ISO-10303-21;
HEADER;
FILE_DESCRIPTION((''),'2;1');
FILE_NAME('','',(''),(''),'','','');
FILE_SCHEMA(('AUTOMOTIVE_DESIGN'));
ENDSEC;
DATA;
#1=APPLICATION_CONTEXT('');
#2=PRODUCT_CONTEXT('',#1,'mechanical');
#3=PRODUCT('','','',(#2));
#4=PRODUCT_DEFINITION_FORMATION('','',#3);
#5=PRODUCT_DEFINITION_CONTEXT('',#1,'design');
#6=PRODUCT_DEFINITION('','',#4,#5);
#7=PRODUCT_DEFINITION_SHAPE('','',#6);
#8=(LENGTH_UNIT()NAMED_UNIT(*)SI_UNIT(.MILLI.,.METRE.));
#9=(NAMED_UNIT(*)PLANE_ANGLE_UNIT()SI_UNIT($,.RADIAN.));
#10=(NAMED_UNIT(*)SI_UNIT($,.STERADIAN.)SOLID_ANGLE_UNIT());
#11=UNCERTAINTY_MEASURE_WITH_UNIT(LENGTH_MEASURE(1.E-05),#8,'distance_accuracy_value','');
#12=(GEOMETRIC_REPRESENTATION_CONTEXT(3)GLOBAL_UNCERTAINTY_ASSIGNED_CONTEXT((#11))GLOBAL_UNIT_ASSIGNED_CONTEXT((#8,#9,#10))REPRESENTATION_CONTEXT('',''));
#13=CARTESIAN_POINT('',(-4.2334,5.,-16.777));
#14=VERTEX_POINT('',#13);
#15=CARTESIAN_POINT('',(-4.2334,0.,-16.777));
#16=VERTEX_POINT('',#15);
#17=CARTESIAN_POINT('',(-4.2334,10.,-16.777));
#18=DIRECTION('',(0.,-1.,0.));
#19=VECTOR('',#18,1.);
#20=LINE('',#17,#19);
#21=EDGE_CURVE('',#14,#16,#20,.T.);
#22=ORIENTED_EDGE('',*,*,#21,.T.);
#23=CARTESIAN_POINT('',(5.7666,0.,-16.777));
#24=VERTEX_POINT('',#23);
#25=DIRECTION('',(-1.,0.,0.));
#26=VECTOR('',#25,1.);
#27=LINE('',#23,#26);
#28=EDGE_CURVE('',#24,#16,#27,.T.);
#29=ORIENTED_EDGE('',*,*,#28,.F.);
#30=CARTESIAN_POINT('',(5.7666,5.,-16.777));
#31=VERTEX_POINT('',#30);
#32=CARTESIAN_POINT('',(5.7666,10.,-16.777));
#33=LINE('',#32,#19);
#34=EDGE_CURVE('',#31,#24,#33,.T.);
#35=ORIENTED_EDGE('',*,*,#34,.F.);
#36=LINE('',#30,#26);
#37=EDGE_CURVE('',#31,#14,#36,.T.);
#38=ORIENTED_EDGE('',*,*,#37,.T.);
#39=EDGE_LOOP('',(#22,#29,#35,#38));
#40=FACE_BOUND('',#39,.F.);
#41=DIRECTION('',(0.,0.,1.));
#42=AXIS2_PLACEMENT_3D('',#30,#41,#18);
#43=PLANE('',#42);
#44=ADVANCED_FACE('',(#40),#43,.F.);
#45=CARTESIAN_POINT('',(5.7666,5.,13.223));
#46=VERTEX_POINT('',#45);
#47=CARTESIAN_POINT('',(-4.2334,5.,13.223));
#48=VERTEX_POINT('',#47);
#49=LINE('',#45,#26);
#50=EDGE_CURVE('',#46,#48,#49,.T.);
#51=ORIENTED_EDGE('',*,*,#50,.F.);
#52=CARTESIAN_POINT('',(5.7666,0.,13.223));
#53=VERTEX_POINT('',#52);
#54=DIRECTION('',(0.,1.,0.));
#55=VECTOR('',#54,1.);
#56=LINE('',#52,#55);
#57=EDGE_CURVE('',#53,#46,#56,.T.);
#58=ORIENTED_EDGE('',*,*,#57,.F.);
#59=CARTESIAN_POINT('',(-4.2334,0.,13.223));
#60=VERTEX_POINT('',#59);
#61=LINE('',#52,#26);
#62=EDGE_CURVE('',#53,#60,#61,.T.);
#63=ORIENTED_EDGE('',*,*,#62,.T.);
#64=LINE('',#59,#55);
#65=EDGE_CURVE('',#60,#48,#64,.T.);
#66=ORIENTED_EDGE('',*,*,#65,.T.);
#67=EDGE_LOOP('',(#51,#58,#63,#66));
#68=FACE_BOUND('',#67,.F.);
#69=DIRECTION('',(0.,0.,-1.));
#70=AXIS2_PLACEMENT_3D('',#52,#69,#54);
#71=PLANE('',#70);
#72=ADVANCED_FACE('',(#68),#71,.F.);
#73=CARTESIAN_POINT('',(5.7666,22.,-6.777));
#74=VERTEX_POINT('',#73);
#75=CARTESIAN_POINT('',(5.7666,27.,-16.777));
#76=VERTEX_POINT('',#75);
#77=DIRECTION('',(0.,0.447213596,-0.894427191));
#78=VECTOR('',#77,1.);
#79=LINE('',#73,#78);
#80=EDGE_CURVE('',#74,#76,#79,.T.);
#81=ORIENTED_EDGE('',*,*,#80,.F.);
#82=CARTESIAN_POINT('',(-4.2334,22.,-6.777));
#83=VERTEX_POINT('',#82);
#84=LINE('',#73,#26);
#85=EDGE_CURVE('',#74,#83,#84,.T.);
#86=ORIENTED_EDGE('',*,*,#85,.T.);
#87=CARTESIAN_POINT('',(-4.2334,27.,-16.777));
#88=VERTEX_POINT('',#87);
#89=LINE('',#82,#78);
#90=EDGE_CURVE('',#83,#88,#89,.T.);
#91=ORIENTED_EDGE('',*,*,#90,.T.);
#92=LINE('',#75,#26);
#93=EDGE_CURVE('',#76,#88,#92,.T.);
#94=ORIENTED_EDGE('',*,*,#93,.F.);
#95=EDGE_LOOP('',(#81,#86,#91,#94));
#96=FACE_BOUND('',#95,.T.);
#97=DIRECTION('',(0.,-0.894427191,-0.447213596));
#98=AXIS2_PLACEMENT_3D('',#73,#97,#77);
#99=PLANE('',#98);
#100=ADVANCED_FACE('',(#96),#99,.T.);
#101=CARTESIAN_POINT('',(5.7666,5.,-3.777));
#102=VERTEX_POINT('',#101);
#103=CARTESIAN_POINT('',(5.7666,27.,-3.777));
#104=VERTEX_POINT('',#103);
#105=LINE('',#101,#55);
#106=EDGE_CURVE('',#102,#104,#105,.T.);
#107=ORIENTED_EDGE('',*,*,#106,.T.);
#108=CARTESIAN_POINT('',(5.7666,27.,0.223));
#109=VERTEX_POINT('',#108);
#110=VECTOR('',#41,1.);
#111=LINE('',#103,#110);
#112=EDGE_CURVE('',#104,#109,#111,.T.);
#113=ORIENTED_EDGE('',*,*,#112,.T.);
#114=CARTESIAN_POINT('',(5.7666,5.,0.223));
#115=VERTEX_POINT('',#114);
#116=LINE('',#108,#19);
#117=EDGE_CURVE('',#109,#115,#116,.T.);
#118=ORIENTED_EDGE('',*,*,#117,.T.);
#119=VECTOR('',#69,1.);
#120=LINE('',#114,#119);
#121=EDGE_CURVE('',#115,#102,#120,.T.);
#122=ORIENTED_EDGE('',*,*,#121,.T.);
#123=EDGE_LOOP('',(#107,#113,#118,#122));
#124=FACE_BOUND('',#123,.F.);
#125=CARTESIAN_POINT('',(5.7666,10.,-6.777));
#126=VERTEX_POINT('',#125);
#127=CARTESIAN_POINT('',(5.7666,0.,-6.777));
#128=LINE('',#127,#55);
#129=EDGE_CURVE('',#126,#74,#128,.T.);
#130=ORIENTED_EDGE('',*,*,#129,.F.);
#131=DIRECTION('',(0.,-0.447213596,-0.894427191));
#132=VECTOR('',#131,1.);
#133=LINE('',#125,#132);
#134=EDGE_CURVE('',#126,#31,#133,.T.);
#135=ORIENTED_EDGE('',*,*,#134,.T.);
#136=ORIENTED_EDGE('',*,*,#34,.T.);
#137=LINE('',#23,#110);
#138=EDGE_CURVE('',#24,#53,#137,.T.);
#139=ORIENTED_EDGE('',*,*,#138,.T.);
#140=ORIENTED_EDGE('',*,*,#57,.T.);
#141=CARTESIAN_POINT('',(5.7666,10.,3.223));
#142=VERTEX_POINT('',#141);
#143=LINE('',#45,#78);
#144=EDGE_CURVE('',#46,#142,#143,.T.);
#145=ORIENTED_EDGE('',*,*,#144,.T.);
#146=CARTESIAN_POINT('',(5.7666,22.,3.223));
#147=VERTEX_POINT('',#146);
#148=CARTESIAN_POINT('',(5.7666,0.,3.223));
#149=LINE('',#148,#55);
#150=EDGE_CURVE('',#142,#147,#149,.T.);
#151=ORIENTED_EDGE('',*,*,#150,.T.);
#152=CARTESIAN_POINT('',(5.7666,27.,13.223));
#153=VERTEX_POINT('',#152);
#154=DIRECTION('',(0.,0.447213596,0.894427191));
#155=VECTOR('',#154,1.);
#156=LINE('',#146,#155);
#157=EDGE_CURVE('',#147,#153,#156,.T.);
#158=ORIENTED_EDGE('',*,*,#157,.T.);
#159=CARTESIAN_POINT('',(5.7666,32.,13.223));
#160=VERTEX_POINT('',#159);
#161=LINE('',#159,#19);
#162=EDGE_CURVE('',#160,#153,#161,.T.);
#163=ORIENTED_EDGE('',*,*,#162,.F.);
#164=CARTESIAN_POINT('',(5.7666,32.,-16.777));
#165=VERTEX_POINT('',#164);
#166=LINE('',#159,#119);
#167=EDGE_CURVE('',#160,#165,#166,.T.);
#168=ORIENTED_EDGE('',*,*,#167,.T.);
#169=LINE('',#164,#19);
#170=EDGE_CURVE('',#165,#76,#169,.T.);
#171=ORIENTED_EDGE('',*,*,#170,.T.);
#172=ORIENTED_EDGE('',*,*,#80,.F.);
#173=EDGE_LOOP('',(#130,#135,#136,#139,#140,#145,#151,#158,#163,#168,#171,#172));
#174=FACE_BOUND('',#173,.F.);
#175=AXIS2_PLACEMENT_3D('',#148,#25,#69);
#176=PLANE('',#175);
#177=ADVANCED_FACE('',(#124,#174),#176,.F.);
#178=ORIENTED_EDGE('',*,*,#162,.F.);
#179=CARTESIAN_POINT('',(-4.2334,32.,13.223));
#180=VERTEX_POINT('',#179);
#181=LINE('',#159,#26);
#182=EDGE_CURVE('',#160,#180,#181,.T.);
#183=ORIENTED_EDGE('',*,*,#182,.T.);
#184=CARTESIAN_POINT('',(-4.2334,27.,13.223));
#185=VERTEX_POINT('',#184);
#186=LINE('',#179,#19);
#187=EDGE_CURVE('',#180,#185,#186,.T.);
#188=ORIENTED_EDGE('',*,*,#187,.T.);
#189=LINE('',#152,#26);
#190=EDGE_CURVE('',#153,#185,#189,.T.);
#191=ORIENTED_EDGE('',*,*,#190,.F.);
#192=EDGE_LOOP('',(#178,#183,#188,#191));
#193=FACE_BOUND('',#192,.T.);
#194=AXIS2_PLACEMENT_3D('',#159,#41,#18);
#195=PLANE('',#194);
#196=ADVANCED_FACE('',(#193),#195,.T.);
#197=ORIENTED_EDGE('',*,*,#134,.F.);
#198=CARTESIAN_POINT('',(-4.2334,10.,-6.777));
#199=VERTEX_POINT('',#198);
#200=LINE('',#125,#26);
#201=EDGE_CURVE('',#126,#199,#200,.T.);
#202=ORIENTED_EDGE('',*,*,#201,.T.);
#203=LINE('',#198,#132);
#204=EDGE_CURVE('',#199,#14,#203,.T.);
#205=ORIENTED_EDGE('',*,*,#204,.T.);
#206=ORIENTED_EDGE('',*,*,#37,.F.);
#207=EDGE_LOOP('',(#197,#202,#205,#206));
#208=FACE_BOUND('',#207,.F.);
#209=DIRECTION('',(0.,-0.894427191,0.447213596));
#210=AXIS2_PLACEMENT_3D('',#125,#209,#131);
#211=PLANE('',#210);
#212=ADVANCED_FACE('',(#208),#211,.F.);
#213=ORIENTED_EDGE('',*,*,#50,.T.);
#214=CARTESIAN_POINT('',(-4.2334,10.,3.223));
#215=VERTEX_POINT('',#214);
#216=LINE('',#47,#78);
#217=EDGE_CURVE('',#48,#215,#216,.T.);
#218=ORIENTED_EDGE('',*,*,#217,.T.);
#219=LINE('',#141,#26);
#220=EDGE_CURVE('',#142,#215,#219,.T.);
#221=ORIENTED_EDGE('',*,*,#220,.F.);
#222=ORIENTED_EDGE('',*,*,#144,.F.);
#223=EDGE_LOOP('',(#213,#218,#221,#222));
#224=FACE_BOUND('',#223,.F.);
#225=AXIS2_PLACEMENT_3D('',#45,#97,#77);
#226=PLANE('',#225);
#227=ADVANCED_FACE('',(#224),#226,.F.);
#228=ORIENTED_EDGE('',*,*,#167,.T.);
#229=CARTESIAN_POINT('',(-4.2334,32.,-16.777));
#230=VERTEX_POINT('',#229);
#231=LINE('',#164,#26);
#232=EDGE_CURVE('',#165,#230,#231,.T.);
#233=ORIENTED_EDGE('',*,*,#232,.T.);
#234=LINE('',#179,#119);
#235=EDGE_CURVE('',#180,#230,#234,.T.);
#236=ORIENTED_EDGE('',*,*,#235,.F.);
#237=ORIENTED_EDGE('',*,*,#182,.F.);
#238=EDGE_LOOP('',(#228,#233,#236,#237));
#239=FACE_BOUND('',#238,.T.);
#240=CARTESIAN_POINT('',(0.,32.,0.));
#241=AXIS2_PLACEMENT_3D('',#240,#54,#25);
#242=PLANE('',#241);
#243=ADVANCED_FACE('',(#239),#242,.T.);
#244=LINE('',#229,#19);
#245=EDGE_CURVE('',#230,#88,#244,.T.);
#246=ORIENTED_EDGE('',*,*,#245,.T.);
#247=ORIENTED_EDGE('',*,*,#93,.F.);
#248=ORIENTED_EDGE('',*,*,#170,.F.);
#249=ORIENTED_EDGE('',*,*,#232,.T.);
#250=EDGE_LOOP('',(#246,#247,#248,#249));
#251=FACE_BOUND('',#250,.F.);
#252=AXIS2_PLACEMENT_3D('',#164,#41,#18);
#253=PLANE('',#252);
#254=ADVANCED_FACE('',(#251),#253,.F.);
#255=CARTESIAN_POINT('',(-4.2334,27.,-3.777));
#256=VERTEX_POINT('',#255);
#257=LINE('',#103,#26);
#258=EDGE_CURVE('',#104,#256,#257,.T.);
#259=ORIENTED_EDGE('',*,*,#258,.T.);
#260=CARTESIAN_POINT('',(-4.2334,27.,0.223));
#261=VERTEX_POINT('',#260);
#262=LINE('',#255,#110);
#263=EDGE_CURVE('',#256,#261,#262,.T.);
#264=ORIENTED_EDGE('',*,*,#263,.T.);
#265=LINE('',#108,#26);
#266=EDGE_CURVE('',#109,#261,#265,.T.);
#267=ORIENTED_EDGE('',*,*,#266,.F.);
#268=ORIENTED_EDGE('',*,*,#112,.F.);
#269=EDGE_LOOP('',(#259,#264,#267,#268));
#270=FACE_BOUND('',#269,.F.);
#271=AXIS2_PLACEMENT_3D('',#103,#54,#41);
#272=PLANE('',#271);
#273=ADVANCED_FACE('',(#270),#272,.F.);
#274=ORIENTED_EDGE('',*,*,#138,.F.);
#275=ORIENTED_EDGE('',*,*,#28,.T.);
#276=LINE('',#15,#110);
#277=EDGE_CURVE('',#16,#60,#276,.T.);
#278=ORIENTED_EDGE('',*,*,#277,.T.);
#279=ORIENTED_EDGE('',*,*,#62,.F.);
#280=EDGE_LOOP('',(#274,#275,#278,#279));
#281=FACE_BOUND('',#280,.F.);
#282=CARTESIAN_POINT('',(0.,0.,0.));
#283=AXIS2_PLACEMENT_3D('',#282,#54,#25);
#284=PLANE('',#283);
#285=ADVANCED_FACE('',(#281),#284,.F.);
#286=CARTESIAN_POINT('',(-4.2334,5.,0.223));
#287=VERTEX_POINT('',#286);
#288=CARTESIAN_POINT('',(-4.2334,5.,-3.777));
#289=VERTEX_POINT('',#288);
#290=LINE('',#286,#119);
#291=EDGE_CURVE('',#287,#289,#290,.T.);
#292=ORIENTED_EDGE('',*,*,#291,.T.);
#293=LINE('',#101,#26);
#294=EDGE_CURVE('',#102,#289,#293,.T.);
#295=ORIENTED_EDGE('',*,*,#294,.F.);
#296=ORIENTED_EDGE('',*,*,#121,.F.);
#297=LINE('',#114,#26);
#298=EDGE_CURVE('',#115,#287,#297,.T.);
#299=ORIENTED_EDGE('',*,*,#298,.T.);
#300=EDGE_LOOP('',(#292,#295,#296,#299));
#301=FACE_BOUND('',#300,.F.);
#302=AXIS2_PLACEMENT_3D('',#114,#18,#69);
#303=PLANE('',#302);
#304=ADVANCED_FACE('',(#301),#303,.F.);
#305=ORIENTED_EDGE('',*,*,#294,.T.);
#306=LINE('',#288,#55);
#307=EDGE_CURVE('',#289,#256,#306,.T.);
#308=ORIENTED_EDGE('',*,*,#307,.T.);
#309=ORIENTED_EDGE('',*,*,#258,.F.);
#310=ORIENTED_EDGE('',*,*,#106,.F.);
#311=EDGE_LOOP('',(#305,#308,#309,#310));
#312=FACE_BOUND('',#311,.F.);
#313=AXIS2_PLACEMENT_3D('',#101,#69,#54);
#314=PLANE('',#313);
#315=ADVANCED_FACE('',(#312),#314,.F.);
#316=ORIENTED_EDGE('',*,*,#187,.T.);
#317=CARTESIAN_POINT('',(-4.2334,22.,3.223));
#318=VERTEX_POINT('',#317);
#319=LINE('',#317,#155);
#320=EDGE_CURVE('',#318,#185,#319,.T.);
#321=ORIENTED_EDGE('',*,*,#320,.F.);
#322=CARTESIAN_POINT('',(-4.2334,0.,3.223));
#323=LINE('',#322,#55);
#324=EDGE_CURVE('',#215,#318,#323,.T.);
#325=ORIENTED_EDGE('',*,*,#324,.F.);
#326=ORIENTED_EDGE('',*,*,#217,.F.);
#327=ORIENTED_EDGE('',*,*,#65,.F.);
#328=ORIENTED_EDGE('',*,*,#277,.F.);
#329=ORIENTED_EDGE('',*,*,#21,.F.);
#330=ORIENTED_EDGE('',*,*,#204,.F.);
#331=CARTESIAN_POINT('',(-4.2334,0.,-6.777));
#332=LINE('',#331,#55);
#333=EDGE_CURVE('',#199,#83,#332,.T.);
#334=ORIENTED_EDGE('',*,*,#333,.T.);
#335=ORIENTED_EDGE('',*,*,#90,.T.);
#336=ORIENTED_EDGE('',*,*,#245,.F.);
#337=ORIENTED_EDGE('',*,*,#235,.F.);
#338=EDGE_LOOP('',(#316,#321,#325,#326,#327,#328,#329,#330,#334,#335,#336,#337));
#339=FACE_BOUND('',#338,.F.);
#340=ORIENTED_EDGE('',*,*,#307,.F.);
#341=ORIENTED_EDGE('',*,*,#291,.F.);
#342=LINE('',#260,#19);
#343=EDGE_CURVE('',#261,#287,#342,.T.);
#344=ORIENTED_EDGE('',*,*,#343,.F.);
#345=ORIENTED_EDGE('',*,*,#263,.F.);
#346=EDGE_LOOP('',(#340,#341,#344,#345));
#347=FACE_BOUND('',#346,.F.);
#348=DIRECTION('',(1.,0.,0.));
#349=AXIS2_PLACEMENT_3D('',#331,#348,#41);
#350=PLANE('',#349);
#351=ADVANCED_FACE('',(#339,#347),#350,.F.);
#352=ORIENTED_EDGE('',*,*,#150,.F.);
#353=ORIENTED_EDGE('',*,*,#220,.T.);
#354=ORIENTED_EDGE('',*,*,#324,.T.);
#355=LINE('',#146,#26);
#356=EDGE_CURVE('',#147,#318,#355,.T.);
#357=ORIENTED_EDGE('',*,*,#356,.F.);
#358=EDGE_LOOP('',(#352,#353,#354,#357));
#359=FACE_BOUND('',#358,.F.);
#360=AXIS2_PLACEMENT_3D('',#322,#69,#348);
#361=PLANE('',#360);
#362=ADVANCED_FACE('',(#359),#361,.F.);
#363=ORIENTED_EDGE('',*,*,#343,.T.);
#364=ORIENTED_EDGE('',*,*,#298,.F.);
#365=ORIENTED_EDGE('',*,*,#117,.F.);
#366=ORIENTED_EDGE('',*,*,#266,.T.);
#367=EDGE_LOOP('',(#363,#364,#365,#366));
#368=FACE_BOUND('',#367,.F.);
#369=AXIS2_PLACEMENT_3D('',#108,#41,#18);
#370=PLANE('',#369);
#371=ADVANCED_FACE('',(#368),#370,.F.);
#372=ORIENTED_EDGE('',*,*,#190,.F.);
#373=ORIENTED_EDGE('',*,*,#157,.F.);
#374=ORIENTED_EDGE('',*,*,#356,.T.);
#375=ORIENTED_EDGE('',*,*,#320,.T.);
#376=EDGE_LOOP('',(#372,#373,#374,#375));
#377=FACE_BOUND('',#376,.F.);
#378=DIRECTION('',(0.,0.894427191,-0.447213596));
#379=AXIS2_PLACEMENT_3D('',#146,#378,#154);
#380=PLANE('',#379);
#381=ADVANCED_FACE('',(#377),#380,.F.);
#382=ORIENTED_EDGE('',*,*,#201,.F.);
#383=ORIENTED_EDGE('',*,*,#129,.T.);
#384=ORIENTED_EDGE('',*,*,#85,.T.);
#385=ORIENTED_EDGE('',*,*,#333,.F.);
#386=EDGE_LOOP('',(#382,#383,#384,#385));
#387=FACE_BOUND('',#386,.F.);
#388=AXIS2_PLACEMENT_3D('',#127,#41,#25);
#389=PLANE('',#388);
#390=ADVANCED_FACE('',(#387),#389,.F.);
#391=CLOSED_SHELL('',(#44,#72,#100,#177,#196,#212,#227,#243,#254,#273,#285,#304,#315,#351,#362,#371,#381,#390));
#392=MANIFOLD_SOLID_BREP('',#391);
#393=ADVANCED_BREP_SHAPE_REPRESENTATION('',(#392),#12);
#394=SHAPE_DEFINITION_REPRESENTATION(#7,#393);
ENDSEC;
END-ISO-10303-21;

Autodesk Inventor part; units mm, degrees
ref_plane "YZ Plane" through (0, 0, 0) normal (1, 0, 0) x (0, 1, 0)
ref_plane "XZ Plane" through (0, 0, 0) normal (0, 1, 0) x (-1, 0, 0)
ref_plane "XY Plane" through (0, 0, 0) normal (0, 0, 1) x (1, 0, 0)
sketch "Sketch1" plane through (0, 0, 0) normal (0, 1, 0) x (-1, 0, 0)
  line L0 (4.2334, 3.223) -> (-5.7666, 3.223)
  line L1 (-5.7666, 3.223) -> (-5.7666, -6.777)
  line L2 (-5.7666, -6.777) -> (4.2334, -6.777)
  line L3 (4.2334, -6.777) -> (4.2334, 3.223)
  point P0 (0, 0)
  dimension "d0" = 10
  dimension "d1" = 10
extrude "Extrusion1" add sketch "Sketch1" along normal blind 32
sketch "Sketch2" plane through (5.7666, 0, 3.223) normal (1, 0, 0) x (0, 0, -1)
  line L0 (0, 0) -> (10, 0) projected
  line L1 (0, 0) -> (0, 32) projected
  line L2 (10, 0) -> (0, 0)
  line L3 (0, 0) -> (0, 10)
  line L4 (0, 10) -> (10, 10)
  line L5 (10, 10) -> (10, 0)
  line L6 (0, 0) -> (-10, 0)
  line L7 (-10, 0) -> (-10, 10)
  line L8 (-10, 10) -> (0, 10)
  line L9 (0, 10) -> (0, 0)
  line L10 (10, 10) -> (20, 10)
  line L11 (20, 10) -> (20, 0)
  line L12 (20, 0) -> (10, 0)
  line L13 (10, 0) -> (10, 10)
  line L14 (-10, 5) -> (0, 10)
  line L15 (10, 10) -> (20, 5)
  point P0 (3.223, 0)
  point P1 (10, 5)
  dimension "d4" = 10
  dimension "d5" = 10
  dimension "d6" = 10
extrude "Extrusion2" add sketch "Sketch2" against normal blind 10 contours L6 L7 L14 L1 | L5 L15 L11 L12
sketch "Sketch3" plane through (5.7666, 32, 3.223) normal (1, 0, 0) x (0, 0, -1)
  line L0 (10, 0) -> (0, 0) projected
  line L1 (10, -22) -> (10, 0) projected
  line L2 (0, 0) -> (10, 0)
  line L3 (10, 0) -> (10, -10)
  line L4 (10, -10) -> (0, -10)
  line L5 (0, -10) -> (0, 0)
  line L6 (0, 0) -> (-10, 0)
  line L7 (-10, 0) -> (-10, -10)
  line L8 (-10, -10) -> (0, -10)
  line L9 (0, -10) -> (0, 0)
  line L10 (10, 0) -> (20, 0)
  line L11 (20, 0) -> (20, -10)
  line L12 (20, -10) -> (10, -10)
  line L13 (10, -10) -> (10, 0)
  line L14 (0, -10) -> (-10, -5)
  line L15 (10, -10) -> (20, -5)
  point P0 (3.223, -32)
  point P1 (0, -10)
  dimension "d9" = 10
  dimension "d10" = 10
  dimension "d11" = 10
extrude "Extrusion3" add sketch "Sketch3" against normal blind 10 contours L10 L11 L15 L1 | L5 L14 L7 L6
sketch "Sketch4" plane through (5.7666, 0, -16.777) normal (1, 0, 0) x (0, 0, -1)
  line L0 (-13, 27) -> (-17, 27)
  line L1 (-17, 27) -> (-17, 5)
  line L2 (-17, 5) -> (-13, 5)
  line L3 (-13, 5) -> (-13, 27)
  line L4 (0, 32) -> (-30, 32) projected
  line L5 (-30, 0) -> (0, 0) projected
  line L6 (-10, 10) -> (-10, 22) projected
  line L7 (-20, 10) -> (-20, 22) projected
  point P0 (-16.777, 0)
  point P1 (-15, 32)
  point P2 (-15, 27)
  point P3 (-15, 5)
  dimension "d14" = 5
  dimension "d15" = 5
  dimension "d16" = 3
  dimension "d17" = 3
extrude "Extrusion4" cut sketch "Sketch4" against normal blind 10
properties part number "stand"
